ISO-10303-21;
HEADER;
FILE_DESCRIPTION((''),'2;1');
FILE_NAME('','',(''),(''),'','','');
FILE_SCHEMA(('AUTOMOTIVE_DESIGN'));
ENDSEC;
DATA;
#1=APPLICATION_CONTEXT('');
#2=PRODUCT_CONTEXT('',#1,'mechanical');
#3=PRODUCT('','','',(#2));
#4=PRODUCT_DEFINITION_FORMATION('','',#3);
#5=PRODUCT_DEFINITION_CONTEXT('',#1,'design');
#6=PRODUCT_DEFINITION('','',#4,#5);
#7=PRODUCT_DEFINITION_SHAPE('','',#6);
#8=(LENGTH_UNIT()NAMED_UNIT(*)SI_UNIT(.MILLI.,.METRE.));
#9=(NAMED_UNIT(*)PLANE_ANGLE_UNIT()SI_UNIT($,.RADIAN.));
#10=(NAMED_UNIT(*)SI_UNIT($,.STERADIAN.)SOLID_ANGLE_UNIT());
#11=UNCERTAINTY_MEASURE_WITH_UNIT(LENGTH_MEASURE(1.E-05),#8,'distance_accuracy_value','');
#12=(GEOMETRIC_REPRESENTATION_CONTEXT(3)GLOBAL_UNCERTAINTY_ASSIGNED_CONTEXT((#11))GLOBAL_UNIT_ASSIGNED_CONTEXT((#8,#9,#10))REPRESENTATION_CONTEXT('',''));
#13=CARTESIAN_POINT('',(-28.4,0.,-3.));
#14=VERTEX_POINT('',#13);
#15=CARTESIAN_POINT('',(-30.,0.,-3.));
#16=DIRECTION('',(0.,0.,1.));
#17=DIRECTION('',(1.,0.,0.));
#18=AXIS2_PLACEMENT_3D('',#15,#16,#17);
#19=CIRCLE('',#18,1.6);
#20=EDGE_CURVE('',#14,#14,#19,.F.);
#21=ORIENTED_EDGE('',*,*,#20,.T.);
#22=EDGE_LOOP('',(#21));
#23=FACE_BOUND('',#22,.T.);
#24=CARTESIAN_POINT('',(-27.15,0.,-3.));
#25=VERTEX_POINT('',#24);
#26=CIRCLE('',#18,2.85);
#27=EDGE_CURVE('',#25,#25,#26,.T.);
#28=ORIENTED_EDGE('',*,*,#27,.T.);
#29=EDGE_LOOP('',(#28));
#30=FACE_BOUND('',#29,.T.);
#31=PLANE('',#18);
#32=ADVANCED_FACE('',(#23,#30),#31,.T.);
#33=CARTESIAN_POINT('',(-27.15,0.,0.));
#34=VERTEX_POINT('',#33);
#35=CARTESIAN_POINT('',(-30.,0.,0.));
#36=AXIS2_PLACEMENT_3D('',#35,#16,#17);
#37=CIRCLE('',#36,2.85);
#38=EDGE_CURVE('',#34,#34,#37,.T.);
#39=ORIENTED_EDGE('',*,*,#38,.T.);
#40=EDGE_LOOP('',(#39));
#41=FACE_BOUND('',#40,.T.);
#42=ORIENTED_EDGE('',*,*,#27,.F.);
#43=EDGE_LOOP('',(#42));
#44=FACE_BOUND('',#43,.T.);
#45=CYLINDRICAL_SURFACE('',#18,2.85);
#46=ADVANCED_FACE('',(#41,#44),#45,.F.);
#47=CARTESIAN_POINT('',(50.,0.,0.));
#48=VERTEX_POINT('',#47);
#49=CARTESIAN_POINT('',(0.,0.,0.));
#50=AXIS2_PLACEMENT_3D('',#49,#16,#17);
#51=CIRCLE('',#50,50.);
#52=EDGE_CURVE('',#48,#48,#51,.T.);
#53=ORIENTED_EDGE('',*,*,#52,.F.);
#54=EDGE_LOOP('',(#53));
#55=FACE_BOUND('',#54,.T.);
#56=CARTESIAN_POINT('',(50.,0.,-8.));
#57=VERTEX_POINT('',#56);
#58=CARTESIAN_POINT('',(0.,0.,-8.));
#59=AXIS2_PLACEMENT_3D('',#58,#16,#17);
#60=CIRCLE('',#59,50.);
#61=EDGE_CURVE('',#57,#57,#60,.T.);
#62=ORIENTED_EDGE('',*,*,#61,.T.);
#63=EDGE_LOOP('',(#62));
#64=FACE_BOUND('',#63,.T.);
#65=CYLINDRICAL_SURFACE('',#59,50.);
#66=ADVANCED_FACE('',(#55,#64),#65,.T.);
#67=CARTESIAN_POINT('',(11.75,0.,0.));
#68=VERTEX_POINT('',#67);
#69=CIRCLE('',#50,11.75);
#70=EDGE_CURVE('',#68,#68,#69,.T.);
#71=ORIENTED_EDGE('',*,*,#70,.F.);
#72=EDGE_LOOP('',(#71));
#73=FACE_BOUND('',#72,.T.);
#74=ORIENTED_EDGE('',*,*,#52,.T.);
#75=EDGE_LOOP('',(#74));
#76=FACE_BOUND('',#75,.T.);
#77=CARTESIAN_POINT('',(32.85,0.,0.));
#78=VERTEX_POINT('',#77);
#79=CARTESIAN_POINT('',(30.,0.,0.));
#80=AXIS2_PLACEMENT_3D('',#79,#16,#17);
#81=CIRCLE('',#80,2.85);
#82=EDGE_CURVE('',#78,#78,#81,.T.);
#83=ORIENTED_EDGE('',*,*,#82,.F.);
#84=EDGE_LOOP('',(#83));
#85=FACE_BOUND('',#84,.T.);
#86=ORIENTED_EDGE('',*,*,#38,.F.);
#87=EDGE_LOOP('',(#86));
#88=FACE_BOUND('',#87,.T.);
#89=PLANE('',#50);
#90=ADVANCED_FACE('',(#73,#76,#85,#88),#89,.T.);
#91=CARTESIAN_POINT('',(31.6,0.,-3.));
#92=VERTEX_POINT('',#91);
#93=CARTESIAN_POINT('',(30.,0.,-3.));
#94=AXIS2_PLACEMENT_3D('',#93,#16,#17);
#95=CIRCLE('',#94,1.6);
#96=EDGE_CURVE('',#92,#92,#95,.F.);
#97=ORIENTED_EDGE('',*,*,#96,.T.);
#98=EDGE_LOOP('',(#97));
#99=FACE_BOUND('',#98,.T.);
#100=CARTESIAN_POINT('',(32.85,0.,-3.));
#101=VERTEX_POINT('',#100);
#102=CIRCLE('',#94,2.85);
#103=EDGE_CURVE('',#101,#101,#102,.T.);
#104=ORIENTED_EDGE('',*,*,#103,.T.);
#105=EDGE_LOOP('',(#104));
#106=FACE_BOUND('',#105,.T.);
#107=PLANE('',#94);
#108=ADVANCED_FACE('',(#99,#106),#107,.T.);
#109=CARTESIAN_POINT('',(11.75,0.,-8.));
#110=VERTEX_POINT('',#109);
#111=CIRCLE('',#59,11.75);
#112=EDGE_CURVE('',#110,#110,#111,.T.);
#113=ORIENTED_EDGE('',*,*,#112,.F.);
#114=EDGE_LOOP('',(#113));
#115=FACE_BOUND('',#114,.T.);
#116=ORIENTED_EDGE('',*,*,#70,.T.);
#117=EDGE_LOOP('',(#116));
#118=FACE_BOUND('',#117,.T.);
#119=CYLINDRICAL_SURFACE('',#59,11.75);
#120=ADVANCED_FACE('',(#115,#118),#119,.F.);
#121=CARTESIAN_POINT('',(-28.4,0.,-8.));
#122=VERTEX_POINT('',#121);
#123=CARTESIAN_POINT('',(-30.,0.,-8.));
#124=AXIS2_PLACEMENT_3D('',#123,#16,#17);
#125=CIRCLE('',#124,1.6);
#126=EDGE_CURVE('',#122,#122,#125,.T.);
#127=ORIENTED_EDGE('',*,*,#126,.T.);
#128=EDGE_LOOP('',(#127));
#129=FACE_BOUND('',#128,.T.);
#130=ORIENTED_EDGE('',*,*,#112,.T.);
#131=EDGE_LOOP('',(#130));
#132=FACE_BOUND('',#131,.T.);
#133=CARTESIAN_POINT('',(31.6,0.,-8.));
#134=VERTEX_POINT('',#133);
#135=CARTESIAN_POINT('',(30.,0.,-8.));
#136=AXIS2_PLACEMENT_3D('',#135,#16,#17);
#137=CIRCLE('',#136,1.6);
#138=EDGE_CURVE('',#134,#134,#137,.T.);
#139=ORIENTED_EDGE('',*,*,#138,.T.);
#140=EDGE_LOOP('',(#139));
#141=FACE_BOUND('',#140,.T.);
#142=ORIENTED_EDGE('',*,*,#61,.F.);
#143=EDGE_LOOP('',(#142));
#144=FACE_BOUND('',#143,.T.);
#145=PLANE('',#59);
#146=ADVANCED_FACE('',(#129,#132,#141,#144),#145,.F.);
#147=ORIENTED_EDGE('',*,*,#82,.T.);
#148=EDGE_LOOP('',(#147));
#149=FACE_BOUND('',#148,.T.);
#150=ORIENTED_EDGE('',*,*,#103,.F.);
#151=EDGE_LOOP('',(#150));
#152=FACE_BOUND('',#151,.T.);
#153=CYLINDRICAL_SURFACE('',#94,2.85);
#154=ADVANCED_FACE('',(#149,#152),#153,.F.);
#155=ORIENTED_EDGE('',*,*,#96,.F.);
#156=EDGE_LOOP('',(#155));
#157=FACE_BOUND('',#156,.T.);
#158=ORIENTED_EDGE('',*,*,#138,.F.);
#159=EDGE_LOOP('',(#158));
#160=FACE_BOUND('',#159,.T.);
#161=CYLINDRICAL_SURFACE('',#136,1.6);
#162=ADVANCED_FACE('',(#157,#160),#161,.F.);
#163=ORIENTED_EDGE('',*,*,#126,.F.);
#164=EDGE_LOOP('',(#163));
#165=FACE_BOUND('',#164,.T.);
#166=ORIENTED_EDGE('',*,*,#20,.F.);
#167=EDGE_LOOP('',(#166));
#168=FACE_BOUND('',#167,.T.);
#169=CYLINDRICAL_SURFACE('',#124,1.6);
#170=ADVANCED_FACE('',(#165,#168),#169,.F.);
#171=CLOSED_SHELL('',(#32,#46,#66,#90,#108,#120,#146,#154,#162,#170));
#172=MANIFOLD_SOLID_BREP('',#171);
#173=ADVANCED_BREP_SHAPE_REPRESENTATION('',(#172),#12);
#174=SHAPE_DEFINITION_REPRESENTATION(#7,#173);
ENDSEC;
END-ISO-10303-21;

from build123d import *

# Parameters (mm, degrees)
ESQUISSE1_R             = 50
ESQUISSE1_R_2           = 11.75
BOSS_EXTRU_1_DEPTH      = 8
ESQUISSE2_R             = 1.6
ENL_V_MAT_EXTRU_1_DEPTH = 72.161787499
ESQUISSE3_R             = 2.85
ENL_V_MAT_EXTRU_2_DEPTH = 3


with BuildPart() as part:
    # Esquisse1 → Boss.-Extru.1 (new body)
    with BuildSketch(Plane.XY):
        Circle(ESQUISSE1_R)
        Circle(ESQUISSE1_R_2, mode=Mode.SUBTRACT)
    extrude(amount=-BOSS_EXTRU_1_DEPTH)

    # Esquisse2 → Enlèv. mat.-Extru.1 (cut, through all)
    with BuildSketch(Plane.XY):
        with Locations((30, 0)):
            Circle(ESQUISSE2_R)
        with Locations((-30, 0)):
            Circle(ESQUISSE2_R)
    extrude(amount=-ENL_V_MAT_EXTRU_1_DEPTH, mode=Mode.SUBTRACT)

    # Esquisse3 → Enlèv. mat.-Extru.2 (cut)
    with BuildSketch(Plane.XY):
        with Locations((30, 0)):
            Circle(ESQUISSE3_R)
        with Locations((-30, 0)):
            Circle(ESQUISSE3_R)
    extrude(amount=-ENL_V_MAT_EXTRU_2_DEPTH, mode=Mode.SUBTRACT)


solid = part.part
